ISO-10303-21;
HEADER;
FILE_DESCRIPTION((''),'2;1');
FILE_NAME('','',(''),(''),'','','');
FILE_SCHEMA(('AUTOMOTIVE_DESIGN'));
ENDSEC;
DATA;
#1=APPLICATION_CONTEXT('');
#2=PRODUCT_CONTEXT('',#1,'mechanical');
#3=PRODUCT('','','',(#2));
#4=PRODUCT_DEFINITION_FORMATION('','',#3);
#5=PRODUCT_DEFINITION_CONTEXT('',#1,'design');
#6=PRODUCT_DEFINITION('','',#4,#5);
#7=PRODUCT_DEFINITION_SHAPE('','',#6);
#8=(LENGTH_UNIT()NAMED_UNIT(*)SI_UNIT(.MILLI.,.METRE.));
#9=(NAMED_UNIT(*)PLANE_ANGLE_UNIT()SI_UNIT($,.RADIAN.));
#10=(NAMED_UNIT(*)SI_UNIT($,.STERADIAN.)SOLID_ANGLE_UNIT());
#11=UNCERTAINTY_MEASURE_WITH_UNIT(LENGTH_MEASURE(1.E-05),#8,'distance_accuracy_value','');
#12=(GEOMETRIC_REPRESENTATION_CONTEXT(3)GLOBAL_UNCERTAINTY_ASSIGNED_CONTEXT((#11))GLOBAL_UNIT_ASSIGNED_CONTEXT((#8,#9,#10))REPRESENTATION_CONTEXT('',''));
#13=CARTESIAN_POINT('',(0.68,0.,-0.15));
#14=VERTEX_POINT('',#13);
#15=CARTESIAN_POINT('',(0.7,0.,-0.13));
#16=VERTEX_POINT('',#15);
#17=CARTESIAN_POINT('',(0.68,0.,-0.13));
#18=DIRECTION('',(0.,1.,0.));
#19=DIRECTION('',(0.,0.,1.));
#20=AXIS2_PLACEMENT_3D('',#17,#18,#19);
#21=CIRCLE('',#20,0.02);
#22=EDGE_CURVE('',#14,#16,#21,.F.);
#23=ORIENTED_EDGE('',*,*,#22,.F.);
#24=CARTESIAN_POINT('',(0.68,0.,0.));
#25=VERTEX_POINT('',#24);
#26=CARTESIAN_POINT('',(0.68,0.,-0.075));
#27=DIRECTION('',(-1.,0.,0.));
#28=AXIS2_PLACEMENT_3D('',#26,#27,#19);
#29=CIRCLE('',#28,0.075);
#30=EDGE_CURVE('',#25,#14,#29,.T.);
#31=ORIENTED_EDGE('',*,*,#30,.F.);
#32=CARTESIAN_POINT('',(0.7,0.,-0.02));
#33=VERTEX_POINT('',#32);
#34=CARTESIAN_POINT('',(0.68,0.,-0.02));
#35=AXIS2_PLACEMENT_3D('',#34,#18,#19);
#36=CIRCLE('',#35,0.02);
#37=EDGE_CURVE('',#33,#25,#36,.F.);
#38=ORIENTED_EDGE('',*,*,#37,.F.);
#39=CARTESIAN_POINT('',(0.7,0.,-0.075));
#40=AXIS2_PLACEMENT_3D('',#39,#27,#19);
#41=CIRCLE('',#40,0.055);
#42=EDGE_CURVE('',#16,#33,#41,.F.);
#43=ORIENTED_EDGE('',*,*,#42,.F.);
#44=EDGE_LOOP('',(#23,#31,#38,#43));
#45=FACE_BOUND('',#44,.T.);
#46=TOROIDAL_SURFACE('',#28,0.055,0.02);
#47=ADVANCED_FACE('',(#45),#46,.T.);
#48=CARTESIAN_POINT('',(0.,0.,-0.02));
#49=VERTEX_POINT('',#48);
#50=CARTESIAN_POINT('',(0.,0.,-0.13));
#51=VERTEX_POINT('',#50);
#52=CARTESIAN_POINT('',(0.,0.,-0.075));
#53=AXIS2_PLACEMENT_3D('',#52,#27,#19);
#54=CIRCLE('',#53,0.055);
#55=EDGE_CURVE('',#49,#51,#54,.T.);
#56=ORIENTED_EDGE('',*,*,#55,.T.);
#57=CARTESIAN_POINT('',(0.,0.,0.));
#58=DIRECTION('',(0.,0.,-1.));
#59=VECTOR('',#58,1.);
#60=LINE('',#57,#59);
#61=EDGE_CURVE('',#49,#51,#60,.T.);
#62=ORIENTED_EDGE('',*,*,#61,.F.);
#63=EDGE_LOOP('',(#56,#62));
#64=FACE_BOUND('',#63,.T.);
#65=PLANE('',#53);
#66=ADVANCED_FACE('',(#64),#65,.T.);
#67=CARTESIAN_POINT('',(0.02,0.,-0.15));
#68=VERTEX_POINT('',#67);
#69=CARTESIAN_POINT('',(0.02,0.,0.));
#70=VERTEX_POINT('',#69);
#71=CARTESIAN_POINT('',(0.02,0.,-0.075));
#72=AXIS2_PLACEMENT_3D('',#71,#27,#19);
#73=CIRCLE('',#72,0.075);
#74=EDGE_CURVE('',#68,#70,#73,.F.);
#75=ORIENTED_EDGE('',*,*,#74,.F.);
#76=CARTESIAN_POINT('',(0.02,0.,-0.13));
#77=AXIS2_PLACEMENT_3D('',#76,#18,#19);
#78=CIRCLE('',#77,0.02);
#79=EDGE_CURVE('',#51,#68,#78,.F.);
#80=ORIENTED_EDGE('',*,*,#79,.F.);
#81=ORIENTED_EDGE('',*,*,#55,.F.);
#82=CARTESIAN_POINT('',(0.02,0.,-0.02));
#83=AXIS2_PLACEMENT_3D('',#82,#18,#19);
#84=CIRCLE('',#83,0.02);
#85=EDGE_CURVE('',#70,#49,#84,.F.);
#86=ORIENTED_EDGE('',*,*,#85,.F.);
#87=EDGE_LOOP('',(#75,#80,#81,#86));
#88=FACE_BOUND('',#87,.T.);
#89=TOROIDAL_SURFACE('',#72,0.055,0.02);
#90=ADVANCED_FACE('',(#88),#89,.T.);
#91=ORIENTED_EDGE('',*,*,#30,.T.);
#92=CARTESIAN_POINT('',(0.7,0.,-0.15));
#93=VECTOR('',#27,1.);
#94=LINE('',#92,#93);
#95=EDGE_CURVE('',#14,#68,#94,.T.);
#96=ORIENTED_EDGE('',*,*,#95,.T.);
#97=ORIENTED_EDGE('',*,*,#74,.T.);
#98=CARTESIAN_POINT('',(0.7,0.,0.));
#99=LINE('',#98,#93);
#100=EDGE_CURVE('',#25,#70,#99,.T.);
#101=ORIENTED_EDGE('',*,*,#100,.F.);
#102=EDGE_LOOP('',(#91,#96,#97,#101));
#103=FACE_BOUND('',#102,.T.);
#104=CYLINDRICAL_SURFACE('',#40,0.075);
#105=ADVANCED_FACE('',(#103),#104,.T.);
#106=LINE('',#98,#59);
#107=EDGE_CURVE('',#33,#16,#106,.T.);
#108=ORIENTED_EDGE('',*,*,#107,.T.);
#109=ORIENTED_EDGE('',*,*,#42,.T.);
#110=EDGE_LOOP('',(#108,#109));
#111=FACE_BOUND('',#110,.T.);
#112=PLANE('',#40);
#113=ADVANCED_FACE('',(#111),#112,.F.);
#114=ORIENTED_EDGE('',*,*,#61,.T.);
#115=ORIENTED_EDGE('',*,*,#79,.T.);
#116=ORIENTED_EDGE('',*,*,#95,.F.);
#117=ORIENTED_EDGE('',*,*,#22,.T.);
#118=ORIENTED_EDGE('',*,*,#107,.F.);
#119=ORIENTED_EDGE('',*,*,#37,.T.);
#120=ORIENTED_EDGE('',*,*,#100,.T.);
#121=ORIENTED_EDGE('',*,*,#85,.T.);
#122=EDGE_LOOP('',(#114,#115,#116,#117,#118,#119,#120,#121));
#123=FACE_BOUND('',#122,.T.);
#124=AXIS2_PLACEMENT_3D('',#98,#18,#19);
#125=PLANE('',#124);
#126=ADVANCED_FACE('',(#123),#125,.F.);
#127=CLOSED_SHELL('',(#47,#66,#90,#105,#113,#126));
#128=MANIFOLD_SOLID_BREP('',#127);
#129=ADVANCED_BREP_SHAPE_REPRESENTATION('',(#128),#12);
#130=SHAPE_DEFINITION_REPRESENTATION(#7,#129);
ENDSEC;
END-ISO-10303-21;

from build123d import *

# Parameters (mm, degrees)
BOSS_EXTRUDE1_DEPTH = 0.7
FILLET1_R           = 0.02


with BuildPart() as part:
    # Sketch1 → Boss-Extrude1 (new body)
    with BuildSketch(Plane(origin=(0, 0, 0), x_dir=(0, 0, -1), z_dir=(1, 0, 0))):
        with BuildLine():
            Line((0, 0), (0.15, 0))
            ThreePointArc((0.15, 0), (0.075, 0.075), (0, 0))
        make_face()
    extrude(amount=BOSS_EXTRUDE1_DEPTH)

    # Fillet1
    fillet1_edges = [part.edges().sort_by_distance(p)[0] for p in [
        (0, 0.075, -0.075),
        (0.7, 0.075, -0.075),
    ]]
    fillet(fillet1_edges, radius=FILLET1_R)


solid = part.part
